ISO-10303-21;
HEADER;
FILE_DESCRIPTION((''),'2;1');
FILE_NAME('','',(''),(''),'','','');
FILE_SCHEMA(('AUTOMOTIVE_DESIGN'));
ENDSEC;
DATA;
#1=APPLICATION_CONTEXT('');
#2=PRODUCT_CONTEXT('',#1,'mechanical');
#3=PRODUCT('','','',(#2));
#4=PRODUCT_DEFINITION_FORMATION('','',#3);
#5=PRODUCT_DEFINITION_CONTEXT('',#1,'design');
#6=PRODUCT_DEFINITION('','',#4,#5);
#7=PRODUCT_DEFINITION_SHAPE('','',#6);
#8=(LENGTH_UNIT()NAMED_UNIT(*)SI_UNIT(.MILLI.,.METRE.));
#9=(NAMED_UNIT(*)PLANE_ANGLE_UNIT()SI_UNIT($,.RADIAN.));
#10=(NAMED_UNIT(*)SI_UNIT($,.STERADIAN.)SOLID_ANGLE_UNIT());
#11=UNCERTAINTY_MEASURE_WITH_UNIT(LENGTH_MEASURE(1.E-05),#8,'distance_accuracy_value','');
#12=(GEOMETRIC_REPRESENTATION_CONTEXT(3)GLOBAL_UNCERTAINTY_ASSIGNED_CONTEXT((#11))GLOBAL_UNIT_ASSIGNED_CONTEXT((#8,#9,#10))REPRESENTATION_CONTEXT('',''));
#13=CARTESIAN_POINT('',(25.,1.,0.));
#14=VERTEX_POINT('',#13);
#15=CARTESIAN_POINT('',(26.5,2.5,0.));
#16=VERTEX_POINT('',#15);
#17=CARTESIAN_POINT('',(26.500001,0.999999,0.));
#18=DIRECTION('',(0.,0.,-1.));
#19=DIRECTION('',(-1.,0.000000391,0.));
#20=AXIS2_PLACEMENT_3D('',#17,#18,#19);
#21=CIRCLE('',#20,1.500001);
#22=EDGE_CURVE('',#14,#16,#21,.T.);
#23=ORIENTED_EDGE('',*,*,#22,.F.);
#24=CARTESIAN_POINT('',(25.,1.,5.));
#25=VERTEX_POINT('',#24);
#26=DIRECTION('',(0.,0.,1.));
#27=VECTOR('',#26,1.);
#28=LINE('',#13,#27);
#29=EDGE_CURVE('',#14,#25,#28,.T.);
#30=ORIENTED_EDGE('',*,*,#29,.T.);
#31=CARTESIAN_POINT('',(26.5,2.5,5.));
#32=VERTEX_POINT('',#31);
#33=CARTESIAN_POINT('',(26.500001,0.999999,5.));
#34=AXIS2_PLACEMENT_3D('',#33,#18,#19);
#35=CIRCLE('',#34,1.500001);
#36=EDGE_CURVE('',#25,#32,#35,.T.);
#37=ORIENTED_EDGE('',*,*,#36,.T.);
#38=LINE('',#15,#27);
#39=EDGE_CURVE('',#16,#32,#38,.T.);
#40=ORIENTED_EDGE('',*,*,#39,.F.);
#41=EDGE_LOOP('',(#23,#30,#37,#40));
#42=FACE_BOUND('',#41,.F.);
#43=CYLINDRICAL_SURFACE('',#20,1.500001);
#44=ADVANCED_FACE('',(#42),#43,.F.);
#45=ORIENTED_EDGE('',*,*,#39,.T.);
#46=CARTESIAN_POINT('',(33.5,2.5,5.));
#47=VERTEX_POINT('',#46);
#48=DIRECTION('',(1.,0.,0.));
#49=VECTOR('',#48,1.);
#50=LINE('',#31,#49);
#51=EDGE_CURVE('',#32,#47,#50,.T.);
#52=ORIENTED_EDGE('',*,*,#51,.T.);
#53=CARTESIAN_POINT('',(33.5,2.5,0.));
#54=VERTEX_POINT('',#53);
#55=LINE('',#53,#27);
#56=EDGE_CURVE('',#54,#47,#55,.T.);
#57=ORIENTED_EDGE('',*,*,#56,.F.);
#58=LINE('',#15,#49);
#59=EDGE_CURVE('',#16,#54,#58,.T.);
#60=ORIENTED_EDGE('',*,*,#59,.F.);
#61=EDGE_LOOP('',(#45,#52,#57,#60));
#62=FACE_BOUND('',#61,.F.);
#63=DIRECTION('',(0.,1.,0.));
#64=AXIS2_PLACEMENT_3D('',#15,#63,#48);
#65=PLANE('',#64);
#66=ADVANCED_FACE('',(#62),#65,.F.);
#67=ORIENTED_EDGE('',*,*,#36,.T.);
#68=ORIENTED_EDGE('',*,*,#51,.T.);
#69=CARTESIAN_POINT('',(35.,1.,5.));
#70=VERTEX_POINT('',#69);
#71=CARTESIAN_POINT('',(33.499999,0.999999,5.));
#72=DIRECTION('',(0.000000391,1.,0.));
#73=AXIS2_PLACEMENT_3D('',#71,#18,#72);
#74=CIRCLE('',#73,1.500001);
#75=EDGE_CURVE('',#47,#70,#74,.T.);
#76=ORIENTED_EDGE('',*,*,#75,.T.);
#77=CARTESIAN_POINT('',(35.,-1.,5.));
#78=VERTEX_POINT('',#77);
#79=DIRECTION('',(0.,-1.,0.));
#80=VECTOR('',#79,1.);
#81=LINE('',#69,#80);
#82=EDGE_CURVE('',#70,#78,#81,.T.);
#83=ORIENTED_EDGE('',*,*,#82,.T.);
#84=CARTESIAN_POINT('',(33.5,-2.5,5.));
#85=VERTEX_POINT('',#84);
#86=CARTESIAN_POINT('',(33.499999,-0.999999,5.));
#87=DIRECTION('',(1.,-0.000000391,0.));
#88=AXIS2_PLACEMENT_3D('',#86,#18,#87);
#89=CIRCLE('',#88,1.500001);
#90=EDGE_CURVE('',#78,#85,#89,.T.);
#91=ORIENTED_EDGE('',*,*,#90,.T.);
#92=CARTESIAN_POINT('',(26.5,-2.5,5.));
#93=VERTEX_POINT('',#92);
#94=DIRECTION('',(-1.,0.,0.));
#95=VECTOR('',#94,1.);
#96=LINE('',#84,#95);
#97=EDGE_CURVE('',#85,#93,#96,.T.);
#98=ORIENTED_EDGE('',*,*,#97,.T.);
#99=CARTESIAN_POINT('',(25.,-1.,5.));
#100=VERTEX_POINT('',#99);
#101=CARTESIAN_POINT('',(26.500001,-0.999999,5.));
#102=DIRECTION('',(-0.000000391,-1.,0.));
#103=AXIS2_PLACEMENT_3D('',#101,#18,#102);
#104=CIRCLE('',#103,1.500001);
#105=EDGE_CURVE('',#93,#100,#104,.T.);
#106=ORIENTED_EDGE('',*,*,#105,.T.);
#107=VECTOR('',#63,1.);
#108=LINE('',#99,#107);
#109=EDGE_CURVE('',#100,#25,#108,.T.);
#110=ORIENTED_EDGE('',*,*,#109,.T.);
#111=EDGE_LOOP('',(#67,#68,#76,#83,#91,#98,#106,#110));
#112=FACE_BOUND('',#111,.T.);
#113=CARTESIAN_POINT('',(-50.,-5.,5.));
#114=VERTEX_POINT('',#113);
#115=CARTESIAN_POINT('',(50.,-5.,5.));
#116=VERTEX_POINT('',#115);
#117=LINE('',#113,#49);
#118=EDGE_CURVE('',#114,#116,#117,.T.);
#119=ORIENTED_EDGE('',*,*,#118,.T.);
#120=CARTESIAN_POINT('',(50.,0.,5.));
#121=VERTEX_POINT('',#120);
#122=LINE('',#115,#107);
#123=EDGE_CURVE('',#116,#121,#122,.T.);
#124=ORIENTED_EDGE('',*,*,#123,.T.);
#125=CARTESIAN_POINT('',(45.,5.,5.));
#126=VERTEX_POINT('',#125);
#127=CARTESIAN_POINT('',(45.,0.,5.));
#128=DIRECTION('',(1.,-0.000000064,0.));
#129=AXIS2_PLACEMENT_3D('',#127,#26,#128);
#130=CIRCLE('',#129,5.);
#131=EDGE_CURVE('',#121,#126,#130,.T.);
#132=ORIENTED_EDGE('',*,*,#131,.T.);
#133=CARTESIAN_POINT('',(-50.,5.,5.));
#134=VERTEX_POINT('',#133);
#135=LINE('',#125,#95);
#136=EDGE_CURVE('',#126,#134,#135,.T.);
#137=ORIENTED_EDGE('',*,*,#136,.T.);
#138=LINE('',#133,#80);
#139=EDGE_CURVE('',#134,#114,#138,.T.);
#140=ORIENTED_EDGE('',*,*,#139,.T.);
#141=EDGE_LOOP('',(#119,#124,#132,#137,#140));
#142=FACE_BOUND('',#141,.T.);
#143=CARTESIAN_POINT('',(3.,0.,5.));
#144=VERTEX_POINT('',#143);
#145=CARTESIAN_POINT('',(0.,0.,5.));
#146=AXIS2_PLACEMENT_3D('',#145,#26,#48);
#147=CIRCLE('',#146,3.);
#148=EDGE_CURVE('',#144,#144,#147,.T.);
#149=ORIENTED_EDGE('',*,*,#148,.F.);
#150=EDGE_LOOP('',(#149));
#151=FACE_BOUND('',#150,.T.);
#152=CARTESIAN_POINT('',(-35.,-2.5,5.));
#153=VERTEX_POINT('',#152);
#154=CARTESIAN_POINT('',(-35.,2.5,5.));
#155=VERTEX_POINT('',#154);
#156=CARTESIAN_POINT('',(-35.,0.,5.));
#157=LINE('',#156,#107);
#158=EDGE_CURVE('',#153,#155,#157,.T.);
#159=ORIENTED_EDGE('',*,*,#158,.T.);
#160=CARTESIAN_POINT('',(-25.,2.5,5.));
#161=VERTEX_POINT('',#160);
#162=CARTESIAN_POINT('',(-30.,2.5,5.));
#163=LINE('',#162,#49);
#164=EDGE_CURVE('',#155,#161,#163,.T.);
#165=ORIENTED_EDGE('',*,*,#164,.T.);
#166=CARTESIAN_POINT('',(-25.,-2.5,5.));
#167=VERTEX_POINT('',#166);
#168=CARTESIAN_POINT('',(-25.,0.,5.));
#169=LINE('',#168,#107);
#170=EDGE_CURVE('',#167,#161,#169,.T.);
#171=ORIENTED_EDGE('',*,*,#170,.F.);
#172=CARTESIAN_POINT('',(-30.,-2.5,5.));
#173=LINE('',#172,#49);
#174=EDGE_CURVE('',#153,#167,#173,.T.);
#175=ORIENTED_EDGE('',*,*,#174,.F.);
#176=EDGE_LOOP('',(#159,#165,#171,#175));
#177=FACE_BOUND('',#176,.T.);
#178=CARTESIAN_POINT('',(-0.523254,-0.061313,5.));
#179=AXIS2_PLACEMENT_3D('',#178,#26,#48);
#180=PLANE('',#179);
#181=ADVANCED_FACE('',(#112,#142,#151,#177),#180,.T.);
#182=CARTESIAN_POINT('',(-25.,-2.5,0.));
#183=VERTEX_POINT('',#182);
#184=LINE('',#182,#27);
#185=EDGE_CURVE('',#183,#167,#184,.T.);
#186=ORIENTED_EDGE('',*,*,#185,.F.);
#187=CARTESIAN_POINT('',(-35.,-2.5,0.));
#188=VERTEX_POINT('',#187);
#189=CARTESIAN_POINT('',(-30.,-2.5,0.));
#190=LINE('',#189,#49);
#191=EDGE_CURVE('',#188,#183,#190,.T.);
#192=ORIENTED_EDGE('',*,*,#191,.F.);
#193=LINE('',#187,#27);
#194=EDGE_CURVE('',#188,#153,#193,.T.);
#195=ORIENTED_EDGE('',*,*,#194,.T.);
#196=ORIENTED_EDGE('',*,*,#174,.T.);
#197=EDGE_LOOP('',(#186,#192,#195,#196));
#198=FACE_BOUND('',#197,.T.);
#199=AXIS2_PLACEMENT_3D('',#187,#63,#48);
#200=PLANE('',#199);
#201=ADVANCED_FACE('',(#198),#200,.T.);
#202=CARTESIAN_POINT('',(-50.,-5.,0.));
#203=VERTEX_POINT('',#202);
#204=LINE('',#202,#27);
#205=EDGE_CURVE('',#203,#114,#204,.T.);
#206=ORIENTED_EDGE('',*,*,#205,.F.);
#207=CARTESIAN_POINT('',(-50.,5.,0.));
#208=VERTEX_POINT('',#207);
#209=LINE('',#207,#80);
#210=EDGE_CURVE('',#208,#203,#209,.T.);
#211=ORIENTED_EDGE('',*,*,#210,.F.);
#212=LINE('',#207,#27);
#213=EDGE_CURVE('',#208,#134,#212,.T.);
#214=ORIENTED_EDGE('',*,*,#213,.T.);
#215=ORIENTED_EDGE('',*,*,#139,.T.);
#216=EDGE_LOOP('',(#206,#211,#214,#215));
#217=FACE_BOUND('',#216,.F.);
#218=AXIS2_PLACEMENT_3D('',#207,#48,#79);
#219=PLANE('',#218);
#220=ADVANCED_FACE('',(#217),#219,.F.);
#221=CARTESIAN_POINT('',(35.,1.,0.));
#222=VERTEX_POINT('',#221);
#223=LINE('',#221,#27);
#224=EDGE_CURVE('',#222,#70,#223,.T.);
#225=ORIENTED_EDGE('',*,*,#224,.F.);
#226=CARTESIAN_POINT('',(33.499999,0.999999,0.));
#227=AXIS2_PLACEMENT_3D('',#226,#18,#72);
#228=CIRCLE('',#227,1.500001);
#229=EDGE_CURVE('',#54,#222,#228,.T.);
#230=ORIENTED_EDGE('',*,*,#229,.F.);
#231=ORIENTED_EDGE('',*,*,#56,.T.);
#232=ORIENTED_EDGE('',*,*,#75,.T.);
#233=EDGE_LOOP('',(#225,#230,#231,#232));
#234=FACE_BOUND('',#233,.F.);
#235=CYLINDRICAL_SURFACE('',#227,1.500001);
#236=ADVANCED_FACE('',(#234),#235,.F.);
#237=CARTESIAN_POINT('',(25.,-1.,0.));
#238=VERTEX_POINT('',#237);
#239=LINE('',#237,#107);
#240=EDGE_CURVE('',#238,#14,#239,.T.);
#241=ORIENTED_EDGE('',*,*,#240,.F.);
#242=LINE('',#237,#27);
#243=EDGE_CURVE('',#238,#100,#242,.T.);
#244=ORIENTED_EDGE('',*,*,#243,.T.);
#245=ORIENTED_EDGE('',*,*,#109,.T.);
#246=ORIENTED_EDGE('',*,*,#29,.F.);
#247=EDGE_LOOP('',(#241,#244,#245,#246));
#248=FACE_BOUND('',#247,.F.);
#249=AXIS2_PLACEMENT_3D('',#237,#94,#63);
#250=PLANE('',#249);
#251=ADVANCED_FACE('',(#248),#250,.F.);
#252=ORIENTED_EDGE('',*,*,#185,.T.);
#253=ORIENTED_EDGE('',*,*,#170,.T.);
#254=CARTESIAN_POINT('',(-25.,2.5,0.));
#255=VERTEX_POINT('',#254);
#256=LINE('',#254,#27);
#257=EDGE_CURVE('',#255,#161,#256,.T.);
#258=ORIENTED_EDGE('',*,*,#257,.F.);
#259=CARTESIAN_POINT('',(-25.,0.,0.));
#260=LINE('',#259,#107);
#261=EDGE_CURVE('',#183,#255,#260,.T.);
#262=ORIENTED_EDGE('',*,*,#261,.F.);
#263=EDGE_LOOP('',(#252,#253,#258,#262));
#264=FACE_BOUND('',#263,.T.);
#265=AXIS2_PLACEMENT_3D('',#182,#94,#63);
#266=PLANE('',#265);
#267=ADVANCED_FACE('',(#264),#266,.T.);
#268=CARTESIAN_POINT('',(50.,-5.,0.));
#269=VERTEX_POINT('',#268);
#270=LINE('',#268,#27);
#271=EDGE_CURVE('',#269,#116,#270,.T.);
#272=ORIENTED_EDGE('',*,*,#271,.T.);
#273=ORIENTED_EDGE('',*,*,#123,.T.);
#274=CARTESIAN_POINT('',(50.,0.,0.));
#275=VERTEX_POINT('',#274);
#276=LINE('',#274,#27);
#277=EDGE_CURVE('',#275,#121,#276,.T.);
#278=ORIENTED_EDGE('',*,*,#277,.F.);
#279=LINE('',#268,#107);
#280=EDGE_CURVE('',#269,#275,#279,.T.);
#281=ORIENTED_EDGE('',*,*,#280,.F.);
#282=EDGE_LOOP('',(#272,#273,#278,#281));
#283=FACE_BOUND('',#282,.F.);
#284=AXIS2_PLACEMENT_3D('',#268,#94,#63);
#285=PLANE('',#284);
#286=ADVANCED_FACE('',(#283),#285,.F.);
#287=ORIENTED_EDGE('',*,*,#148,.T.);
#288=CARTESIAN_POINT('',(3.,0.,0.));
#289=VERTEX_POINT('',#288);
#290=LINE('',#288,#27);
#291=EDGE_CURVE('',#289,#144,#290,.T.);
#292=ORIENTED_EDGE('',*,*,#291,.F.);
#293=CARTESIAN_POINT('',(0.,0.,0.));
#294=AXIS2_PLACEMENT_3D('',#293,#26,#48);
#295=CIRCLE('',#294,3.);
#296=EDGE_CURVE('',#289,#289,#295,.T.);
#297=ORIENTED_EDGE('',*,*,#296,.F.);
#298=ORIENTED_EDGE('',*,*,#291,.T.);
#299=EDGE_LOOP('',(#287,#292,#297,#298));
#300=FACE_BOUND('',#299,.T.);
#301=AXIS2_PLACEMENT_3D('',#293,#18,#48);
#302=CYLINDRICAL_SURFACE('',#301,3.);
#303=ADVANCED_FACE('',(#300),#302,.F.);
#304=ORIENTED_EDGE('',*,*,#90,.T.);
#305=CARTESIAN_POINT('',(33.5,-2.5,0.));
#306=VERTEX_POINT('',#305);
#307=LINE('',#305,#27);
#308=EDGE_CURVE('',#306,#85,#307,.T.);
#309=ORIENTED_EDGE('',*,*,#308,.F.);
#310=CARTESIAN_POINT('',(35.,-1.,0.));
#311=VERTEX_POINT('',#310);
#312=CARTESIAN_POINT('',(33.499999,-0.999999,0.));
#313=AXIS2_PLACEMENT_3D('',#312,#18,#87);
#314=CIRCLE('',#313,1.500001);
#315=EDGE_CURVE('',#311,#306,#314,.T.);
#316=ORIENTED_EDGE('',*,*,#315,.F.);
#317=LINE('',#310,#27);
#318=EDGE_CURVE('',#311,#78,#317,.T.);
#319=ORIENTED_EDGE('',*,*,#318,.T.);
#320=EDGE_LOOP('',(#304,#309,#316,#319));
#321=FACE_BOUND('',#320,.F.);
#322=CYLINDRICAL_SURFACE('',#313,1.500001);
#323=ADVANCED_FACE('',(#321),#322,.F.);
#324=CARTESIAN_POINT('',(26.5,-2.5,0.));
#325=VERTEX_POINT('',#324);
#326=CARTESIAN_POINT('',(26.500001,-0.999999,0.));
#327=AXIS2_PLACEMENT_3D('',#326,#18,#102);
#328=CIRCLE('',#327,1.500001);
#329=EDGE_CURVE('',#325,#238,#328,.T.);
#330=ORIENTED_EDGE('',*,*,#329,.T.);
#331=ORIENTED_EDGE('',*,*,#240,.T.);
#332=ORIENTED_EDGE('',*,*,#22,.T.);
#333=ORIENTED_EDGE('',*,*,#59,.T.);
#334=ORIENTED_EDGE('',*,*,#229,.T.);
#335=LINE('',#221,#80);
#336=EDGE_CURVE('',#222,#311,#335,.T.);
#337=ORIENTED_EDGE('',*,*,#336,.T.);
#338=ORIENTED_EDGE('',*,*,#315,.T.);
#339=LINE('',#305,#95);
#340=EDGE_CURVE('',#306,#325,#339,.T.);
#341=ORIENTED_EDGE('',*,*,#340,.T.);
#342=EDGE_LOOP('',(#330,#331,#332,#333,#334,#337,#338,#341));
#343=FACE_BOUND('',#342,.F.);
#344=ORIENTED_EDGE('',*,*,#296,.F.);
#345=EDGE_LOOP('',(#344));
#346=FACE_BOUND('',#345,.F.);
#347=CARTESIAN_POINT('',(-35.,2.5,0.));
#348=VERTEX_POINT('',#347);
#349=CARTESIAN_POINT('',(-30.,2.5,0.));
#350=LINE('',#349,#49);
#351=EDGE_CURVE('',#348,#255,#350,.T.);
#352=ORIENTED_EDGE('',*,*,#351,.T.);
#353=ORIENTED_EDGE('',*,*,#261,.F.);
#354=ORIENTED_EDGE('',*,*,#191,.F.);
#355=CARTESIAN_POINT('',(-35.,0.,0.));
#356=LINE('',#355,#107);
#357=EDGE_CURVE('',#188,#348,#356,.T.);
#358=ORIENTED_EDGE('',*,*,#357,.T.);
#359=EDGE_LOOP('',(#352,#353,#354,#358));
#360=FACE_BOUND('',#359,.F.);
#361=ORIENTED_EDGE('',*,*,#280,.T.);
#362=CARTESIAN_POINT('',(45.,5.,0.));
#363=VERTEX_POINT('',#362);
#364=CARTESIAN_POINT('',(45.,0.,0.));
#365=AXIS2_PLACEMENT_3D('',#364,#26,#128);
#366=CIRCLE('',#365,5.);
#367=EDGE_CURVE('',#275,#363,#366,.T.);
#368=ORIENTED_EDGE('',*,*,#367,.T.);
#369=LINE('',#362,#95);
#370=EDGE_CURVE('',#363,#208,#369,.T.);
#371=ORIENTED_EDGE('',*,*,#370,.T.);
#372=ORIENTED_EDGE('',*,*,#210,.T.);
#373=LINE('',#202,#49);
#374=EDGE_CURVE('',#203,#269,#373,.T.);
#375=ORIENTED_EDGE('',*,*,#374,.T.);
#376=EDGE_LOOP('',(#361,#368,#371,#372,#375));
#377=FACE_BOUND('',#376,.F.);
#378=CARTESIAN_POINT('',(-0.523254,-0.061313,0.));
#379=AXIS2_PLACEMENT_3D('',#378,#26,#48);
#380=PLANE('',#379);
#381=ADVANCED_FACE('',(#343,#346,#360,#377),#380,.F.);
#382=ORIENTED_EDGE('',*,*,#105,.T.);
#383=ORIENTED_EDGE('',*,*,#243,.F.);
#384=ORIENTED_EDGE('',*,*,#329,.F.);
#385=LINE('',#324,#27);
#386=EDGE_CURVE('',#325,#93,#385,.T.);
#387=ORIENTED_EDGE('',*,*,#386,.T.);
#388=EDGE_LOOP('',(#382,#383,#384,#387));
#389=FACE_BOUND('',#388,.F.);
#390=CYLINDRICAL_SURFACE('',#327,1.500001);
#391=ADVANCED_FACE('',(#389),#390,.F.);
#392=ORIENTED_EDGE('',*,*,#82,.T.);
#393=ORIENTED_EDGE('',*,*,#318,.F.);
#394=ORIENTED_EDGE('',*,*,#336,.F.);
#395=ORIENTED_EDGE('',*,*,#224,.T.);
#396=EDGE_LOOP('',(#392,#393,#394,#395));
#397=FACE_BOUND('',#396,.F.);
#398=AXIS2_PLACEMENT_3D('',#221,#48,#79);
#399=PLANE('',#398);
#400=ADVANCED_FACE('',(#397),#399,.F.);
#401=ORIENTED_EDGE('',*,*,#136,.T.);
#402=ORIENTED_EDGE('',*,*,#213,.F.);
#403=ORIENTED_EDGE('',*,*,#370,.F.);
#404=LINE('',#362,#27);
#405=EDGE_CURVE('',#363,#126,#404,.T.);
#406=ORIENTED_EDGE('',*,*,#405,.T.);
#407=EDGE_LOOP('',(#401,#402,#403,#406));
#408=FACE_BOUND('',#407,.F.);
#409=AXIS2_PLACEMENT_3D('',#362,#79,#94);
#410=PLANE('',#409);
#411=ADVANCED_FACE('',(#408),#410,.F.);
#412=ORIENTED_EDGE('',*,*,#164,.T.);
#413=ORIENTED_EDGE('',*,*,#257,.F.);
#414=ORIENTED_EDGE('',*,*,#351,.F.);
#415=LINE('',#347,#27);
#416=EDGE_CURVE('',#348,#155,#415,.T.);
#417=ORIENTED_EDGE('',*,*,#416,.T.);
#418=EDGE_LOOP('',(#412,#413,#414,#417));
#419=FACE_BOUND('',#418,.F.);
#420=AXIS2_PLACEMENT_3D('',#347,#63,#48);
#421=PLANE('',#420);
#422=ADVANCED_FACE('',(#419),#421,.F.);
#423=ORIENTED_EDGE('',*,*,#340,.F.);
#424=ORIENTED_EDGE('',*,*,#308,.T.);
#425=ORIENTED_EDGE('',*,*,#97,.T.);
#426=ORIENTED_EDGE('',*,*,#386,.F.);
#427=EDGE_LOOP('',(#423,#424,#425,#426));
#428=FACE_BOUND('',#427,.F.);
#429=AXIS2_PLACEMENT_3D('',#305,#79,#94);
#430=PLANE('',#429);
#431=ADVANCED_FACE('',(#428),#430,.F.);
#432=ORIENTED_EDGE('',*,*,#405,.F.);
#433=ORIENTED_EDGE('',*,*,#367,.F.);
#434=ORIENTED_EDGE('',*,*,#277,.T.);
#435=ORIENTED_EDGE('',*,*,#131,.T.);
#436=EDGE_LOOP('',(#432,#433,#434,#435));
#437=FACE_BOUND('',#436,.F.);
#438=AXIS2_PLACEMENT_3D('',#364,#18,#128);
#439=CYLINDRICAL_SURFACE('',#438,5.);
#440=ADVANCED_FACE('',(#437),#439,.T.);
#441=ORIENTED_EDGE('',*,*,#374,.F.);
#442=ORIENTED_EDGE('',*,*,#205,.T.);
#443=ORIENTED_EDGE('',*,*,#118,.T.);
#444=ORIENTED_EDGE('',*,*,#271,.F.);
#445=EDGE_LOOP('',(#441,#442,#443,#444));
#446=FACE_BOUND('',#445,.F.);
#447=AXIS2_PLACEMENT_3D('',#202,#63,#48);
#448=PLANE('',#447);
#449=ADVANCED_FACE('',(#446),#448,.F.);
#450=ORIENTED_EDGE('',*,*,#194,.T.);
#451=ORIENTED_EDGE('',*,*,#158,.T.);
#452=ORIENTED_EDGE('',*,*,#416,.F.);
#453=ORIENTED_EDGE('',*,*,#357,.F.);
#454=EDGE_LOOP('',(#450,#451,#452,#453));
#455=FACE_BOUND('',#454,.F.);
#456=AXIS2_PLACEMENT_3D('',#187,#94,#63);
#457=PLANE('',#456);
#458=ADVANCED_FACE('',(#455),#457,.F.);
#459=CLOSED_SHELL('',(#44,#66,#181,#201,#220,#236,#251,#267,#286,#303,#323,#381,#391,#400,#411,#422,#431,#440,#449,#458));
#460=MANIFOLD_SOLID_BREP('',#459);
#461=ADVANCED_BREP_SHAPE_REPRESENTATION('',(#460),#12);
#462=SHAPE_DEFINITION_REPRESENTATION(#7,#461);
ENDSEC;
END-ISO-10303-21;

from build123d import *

# Parameters (mm, degrees)
F0_W     = 10
F0_H     = 5
F0_R     = 3
F1_DEPTH = 5


with BuildPart() as f1:
    # F0 (on Top) → F1 (new body)
    with BuildSketch(Plane.XY):
        with BuildLine():
            Line((-50, -5), (50, -5))
            Line((50, -5), (50, 0))
            ThreePointArc((50, 0), (48.535534, 3.535534), (45, 5))
            Line((45, 5), (-50, 5))
            Line((-50, 5), (-50, -5))
        make_face()
        with Locations((-30, 0)):
            Rectangle(F0_W, F0_H, mode=Mode.SUBTRACT)
        Circle(F0_R, mode=Mode.SUBTRACT)
        with BuildLine():
            ThreePointArc((35, -1), (34.56066, -2.06066), (33.5, -2.5))
            Line((33.5, -2.5), (26.5, -2.5))
            ThreePointArc((26.5, -2.5), (25.43934, -2.06066), (25, -1))
            Line((25, -1), (25, 1))
            ThreePointArc((25, 1), (25.43934, 2.06066), (26.5, 2.5))
            Line((26.5, 2.5), (33.5, 2.5))
            ThreePointArc((33.5, 2.5), (34.56066, 2.06066), (35, 1))
            Line((35, 1), (35, -1))
        make_face(mode=Mode.SUBTRACT)
    extrude(amount=F1_DEPTH)


solid = f1.part
